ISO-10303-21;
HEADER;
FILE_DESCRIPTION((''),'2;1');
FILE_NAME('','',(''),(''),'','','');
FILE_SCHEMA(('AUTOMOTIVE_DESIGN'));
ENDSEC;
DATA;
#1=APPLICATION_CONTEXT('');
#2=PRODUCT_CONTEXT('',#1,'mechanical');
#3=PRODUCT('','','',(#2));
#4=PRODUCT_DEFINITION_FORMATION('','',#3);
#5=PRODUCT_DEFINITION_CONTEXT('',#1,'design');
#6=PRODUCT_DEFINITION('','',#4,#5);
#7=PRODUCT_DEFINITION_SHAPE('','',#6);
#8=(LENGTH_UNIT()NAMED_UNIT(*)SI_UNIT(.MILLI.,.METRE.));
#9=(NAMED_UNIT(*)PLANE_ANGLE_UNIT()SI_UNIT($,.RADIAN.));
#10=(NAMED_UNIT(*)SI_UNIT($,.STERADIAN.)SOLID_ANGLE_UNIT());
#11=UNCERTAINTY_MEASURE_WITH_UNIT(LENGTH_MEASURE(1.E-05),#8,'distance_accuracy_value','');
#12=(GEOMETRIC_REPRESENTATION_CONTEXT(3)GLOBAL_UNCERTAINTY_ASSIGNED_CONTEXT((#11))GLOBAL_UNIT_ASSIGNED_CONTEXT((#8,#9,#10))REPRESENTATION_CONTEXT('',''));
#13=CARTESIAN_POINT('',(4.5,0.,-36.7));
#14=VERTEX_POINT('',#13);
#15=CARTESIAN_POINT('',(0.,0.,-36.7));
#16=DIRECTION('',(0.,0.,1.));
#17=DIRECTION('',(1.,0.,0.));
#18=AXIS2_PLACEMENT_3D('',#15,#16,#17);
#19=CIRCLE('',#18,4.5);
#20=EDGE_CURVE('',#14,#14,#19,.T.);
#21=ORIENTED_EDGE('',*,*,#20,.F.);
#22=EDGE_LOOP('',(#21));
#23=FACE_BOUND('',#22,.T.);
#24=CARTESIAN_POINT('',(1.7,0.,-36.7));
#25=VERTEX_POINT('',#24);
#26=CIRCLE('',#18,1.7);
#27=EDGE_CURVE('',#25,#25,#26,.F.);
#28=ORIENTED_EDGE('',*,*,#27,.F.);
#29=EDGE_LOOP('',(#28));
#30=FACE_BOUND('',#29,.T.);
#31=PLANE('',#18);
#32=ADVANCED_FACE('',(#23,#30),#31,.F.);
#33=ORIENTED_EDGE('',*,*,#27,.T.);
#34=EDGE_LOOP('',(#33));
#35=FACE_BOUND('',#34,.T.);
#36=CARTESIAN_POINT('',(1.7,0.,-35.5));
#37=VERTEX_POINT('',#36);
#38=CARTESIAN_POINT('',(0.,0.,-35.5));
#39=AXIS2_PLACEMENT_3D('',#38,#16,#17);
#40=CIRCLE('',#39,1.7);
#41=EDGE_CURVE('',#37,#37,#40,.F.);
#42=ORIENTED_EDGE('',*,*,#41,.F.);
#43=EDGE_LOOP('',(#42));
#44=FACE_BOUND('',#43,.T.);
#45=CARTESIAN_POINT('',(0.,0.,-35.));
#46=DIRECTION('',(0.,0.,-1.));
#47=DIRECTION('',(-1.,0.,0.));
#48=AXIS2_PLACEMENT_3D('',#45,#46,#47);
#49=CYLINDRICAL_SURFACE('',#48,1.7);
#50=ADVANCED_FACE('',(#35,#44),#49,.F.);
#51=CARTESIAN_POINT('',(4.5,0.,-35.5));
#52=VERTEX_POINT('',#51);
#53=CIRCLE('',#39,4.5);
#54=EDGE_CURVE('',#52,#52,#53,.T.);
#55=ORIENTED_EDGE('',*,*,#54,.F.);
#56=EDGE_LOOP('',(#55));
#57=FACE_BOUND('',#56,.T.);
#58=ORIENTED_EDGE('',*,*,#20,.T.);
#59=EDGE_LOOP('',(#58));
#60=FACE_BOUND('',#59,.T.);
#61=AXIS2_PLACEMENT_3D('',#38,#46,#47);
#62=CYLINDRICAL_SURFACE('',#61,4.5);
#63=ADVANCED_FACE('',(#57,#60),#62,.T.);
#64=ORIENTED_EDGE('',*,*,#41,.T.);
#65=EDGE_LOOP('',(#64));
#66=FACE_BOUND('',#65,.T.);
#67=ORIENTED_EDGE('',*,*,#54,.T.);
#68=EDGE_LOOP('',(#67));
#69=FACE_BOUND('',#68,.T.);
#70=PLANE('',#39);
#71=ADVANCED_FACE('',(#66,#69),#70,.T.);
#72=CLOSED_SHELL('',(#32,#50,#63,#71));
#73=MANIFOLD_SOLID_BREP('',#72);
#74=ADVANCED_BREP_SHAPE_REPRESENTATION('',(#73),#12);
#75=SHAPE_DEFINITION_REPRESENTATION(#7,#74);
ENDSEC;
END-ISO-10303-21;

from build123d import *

# Parameters (mm, degrees)
F_0102_CYLINDER_SKETCH_R = 4.5
F_0102_CYLINDER_DEPTH    = 1.2
F_0104_CYLINDER_SKETCH_R = 1.7
F_0104_CYLINDER_DEPTH    = 2


with BuildPart() as part:
    # 0102_cylinder_Sketch → 0102_cylinder (new body)
    with BuildSketch(Plane.XY):
        Circle(F_0102_CYLINDER_SKETCH_R)
    extrude(amount=F_0102_CYLINDER_DEPTH)


with BuildPart() as part_1:
    # 0102_cylinder_Translate: moved
    add(part.part.moved(Location((0, 0, -36.7))))


with BuildPart() as body_2:
    # 0104_cylinder_Sketch → 0104_cylinder (new body)
    with BuildSketch(Plane.XY):
        Circle(F_0104_CYLINDER_SKETCH_R)
    extrude(amount=F_0104_CYLINDER_DEPTH)


with BuildPart() as body_2_1:
    # 0104_cylinder_Translate: moved
    add(body_2.part.moved(Location((0, 0, -37))))


with BuildPart() as part_2:
    add(part_1.part)

    # 0106_sub: cut body 2
    add(body_2_1.part, mode=Mode.SUBTRACT)


solid = part_2.part
